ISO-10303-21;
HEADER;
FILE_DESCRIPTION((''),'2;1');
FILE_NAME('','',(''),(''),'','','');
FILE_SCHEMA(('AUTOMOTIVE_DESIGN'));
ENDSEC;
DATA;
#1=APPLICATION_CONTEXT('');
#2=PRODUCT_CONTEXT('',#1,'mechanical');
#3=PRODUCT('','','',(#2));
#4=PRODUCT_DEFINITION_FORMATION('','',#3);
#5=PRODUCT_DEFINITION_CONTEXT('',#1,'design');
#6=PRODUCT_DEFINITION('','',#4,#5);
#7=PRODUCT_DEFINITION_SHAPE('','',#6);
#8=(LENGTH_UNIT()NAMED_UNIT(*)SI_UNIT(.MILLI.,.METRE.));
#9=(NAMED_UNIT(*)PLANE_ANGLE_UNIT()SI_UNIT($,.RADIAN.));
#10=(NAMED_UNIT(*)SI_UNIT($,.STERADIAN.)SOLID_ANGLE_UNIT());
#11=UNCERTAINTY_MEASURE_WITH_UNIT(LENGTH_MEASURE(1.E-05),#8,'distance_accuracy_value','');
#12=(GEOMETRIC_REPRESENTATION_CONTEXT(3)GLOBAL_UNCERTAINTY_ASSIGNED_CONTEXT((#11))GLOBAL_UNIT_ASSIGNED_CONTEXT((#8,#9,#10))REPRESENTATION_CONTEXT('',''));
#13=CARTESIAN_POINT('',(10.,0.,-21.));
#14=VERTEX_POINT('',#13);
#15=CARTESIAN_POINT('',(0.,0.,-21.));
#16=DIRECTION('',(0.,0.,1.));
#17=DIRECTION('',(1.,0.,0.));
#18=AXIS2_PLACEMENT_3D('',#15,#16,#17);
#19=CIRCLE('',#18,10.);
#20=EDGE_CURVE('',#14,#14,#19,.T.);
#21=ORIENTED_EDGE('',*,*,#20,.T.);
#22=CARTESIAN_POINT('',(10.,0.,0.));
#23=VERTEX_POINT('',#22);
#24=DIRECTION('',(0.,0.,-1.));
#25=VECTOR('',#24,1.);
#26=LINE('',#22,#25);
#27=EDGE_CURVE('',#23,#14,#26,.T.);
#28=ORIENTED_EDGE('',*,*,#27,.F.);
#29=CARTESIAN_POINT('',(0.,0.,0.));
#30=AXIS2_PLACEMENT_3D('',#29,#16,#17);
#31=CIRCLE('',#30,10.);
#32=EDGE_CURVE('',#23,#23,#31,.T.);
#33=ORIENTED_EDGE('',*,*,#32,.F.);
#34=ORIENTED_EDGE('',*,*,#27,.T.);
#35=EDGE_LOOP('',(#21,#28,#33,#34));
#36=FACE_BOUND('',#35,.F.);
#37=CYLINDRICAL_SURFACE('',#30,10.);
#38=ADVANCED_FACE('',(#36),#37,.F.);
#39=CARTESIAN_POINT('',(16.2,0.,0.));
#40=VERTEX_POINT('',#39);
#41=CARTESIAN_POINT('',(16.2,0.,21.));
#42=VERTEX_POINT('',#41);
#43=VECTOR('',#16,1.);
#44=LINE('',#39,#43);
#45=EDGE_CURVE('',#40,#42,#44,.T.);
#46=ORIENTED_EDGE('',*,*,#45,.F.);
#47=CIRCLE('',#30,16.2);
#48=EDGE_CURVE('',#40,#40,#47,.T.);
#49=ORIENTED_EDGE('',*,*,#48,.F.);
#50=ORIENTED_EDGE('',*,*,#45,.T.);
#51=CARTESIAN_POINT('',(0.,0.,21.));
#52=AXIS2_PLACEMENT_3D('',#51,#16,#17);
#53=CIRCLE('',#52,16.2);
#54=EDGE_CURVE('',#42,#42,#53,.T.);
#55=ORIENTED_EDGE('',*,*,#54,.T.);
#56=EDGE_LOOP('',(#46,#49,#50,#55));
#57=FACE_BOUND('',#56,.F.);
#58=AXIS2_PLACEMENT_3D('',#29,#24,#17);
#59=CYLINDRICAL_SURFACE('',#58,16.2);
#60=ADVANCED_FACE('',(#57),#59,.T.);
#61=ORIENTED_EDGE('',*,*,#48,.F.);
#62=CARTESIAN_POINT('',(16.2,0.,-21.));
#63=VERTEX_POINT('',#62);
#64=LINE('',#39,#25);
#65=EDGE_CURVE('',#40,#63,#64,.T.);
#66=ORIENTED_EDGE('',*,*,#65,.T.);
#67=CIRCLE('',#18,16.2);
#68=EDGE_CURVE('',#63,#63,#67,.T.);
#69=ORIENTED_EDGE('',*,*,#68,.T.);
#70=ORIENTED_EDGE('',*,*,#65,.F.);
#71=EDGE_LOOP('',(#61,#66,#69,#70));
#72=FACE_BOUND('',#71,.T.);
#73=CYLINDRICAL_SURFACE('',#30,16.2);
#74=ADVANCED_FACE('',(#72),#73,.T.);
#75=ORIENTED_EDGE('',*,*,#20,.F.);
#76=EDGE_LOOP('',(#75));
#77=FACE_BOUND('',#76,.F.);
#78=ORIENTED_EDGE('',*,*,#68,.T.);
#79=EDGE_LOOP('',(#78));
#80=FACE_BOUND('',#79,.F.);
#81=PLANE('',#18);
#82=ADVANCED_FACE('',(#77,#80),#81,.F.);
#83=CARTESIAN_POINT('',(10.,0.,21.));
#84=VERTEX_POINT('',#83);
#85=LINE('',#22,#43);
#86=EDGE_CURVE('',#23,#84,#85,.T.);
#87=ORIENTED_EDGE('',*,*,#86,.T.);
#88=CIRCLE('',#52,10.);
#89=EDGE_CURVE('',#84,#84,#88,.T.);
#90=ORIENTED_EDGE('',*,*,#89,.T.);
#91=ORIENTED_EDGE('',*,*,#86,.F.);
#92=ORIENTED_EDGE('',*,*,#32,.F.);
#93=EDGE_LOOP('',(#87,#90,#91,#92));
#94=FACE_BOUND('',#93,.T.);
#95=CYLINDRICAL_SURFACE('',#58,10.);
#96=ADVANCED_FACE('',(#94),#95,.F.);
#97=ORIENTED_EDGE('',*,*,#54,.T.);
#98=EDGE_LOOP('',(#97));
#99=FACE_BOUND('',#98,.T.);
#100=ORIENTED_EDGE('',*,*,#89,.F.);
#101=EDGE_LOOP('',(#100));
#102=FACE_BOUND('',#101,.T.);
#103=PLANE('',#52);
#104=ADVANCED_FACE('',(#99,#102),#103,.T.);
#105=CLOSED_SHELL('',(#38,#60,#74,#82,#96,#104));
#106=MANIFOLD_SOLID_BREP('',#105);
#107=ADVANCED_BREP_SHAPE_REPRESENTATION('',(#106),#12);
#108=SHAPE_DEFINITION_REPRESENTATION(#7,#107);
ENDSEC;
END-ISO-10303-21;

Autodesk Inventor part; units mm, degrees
ref_plane "YZ Plane" through (0, 0, 0) normal (1, 0, 0) x (0, 1, 0)
ref_plane "XZ Plane" through (0, 0, 0) normal (0, 1, 0) x (-1, 0, 0)
ref_plane "XY Plane" through (0, 0, 0) normal (0, 0, 1) x (1, 0, 0)
sketch "Sketch1" plane through (0, 0, 0) normal (0, 0, 1) x (1, 0, 0)
  circle A0 centre (0, 0) radius 10
  circle A1 centre (0, 0) radius 16.2
  dimension "d0" = 32.4
  dimension "d1" = 20
extrude "Extrusion1" add sketch "Sketch1" along normal mid plane 42
properties part number "LM20UU" material "Stainless Steel"
